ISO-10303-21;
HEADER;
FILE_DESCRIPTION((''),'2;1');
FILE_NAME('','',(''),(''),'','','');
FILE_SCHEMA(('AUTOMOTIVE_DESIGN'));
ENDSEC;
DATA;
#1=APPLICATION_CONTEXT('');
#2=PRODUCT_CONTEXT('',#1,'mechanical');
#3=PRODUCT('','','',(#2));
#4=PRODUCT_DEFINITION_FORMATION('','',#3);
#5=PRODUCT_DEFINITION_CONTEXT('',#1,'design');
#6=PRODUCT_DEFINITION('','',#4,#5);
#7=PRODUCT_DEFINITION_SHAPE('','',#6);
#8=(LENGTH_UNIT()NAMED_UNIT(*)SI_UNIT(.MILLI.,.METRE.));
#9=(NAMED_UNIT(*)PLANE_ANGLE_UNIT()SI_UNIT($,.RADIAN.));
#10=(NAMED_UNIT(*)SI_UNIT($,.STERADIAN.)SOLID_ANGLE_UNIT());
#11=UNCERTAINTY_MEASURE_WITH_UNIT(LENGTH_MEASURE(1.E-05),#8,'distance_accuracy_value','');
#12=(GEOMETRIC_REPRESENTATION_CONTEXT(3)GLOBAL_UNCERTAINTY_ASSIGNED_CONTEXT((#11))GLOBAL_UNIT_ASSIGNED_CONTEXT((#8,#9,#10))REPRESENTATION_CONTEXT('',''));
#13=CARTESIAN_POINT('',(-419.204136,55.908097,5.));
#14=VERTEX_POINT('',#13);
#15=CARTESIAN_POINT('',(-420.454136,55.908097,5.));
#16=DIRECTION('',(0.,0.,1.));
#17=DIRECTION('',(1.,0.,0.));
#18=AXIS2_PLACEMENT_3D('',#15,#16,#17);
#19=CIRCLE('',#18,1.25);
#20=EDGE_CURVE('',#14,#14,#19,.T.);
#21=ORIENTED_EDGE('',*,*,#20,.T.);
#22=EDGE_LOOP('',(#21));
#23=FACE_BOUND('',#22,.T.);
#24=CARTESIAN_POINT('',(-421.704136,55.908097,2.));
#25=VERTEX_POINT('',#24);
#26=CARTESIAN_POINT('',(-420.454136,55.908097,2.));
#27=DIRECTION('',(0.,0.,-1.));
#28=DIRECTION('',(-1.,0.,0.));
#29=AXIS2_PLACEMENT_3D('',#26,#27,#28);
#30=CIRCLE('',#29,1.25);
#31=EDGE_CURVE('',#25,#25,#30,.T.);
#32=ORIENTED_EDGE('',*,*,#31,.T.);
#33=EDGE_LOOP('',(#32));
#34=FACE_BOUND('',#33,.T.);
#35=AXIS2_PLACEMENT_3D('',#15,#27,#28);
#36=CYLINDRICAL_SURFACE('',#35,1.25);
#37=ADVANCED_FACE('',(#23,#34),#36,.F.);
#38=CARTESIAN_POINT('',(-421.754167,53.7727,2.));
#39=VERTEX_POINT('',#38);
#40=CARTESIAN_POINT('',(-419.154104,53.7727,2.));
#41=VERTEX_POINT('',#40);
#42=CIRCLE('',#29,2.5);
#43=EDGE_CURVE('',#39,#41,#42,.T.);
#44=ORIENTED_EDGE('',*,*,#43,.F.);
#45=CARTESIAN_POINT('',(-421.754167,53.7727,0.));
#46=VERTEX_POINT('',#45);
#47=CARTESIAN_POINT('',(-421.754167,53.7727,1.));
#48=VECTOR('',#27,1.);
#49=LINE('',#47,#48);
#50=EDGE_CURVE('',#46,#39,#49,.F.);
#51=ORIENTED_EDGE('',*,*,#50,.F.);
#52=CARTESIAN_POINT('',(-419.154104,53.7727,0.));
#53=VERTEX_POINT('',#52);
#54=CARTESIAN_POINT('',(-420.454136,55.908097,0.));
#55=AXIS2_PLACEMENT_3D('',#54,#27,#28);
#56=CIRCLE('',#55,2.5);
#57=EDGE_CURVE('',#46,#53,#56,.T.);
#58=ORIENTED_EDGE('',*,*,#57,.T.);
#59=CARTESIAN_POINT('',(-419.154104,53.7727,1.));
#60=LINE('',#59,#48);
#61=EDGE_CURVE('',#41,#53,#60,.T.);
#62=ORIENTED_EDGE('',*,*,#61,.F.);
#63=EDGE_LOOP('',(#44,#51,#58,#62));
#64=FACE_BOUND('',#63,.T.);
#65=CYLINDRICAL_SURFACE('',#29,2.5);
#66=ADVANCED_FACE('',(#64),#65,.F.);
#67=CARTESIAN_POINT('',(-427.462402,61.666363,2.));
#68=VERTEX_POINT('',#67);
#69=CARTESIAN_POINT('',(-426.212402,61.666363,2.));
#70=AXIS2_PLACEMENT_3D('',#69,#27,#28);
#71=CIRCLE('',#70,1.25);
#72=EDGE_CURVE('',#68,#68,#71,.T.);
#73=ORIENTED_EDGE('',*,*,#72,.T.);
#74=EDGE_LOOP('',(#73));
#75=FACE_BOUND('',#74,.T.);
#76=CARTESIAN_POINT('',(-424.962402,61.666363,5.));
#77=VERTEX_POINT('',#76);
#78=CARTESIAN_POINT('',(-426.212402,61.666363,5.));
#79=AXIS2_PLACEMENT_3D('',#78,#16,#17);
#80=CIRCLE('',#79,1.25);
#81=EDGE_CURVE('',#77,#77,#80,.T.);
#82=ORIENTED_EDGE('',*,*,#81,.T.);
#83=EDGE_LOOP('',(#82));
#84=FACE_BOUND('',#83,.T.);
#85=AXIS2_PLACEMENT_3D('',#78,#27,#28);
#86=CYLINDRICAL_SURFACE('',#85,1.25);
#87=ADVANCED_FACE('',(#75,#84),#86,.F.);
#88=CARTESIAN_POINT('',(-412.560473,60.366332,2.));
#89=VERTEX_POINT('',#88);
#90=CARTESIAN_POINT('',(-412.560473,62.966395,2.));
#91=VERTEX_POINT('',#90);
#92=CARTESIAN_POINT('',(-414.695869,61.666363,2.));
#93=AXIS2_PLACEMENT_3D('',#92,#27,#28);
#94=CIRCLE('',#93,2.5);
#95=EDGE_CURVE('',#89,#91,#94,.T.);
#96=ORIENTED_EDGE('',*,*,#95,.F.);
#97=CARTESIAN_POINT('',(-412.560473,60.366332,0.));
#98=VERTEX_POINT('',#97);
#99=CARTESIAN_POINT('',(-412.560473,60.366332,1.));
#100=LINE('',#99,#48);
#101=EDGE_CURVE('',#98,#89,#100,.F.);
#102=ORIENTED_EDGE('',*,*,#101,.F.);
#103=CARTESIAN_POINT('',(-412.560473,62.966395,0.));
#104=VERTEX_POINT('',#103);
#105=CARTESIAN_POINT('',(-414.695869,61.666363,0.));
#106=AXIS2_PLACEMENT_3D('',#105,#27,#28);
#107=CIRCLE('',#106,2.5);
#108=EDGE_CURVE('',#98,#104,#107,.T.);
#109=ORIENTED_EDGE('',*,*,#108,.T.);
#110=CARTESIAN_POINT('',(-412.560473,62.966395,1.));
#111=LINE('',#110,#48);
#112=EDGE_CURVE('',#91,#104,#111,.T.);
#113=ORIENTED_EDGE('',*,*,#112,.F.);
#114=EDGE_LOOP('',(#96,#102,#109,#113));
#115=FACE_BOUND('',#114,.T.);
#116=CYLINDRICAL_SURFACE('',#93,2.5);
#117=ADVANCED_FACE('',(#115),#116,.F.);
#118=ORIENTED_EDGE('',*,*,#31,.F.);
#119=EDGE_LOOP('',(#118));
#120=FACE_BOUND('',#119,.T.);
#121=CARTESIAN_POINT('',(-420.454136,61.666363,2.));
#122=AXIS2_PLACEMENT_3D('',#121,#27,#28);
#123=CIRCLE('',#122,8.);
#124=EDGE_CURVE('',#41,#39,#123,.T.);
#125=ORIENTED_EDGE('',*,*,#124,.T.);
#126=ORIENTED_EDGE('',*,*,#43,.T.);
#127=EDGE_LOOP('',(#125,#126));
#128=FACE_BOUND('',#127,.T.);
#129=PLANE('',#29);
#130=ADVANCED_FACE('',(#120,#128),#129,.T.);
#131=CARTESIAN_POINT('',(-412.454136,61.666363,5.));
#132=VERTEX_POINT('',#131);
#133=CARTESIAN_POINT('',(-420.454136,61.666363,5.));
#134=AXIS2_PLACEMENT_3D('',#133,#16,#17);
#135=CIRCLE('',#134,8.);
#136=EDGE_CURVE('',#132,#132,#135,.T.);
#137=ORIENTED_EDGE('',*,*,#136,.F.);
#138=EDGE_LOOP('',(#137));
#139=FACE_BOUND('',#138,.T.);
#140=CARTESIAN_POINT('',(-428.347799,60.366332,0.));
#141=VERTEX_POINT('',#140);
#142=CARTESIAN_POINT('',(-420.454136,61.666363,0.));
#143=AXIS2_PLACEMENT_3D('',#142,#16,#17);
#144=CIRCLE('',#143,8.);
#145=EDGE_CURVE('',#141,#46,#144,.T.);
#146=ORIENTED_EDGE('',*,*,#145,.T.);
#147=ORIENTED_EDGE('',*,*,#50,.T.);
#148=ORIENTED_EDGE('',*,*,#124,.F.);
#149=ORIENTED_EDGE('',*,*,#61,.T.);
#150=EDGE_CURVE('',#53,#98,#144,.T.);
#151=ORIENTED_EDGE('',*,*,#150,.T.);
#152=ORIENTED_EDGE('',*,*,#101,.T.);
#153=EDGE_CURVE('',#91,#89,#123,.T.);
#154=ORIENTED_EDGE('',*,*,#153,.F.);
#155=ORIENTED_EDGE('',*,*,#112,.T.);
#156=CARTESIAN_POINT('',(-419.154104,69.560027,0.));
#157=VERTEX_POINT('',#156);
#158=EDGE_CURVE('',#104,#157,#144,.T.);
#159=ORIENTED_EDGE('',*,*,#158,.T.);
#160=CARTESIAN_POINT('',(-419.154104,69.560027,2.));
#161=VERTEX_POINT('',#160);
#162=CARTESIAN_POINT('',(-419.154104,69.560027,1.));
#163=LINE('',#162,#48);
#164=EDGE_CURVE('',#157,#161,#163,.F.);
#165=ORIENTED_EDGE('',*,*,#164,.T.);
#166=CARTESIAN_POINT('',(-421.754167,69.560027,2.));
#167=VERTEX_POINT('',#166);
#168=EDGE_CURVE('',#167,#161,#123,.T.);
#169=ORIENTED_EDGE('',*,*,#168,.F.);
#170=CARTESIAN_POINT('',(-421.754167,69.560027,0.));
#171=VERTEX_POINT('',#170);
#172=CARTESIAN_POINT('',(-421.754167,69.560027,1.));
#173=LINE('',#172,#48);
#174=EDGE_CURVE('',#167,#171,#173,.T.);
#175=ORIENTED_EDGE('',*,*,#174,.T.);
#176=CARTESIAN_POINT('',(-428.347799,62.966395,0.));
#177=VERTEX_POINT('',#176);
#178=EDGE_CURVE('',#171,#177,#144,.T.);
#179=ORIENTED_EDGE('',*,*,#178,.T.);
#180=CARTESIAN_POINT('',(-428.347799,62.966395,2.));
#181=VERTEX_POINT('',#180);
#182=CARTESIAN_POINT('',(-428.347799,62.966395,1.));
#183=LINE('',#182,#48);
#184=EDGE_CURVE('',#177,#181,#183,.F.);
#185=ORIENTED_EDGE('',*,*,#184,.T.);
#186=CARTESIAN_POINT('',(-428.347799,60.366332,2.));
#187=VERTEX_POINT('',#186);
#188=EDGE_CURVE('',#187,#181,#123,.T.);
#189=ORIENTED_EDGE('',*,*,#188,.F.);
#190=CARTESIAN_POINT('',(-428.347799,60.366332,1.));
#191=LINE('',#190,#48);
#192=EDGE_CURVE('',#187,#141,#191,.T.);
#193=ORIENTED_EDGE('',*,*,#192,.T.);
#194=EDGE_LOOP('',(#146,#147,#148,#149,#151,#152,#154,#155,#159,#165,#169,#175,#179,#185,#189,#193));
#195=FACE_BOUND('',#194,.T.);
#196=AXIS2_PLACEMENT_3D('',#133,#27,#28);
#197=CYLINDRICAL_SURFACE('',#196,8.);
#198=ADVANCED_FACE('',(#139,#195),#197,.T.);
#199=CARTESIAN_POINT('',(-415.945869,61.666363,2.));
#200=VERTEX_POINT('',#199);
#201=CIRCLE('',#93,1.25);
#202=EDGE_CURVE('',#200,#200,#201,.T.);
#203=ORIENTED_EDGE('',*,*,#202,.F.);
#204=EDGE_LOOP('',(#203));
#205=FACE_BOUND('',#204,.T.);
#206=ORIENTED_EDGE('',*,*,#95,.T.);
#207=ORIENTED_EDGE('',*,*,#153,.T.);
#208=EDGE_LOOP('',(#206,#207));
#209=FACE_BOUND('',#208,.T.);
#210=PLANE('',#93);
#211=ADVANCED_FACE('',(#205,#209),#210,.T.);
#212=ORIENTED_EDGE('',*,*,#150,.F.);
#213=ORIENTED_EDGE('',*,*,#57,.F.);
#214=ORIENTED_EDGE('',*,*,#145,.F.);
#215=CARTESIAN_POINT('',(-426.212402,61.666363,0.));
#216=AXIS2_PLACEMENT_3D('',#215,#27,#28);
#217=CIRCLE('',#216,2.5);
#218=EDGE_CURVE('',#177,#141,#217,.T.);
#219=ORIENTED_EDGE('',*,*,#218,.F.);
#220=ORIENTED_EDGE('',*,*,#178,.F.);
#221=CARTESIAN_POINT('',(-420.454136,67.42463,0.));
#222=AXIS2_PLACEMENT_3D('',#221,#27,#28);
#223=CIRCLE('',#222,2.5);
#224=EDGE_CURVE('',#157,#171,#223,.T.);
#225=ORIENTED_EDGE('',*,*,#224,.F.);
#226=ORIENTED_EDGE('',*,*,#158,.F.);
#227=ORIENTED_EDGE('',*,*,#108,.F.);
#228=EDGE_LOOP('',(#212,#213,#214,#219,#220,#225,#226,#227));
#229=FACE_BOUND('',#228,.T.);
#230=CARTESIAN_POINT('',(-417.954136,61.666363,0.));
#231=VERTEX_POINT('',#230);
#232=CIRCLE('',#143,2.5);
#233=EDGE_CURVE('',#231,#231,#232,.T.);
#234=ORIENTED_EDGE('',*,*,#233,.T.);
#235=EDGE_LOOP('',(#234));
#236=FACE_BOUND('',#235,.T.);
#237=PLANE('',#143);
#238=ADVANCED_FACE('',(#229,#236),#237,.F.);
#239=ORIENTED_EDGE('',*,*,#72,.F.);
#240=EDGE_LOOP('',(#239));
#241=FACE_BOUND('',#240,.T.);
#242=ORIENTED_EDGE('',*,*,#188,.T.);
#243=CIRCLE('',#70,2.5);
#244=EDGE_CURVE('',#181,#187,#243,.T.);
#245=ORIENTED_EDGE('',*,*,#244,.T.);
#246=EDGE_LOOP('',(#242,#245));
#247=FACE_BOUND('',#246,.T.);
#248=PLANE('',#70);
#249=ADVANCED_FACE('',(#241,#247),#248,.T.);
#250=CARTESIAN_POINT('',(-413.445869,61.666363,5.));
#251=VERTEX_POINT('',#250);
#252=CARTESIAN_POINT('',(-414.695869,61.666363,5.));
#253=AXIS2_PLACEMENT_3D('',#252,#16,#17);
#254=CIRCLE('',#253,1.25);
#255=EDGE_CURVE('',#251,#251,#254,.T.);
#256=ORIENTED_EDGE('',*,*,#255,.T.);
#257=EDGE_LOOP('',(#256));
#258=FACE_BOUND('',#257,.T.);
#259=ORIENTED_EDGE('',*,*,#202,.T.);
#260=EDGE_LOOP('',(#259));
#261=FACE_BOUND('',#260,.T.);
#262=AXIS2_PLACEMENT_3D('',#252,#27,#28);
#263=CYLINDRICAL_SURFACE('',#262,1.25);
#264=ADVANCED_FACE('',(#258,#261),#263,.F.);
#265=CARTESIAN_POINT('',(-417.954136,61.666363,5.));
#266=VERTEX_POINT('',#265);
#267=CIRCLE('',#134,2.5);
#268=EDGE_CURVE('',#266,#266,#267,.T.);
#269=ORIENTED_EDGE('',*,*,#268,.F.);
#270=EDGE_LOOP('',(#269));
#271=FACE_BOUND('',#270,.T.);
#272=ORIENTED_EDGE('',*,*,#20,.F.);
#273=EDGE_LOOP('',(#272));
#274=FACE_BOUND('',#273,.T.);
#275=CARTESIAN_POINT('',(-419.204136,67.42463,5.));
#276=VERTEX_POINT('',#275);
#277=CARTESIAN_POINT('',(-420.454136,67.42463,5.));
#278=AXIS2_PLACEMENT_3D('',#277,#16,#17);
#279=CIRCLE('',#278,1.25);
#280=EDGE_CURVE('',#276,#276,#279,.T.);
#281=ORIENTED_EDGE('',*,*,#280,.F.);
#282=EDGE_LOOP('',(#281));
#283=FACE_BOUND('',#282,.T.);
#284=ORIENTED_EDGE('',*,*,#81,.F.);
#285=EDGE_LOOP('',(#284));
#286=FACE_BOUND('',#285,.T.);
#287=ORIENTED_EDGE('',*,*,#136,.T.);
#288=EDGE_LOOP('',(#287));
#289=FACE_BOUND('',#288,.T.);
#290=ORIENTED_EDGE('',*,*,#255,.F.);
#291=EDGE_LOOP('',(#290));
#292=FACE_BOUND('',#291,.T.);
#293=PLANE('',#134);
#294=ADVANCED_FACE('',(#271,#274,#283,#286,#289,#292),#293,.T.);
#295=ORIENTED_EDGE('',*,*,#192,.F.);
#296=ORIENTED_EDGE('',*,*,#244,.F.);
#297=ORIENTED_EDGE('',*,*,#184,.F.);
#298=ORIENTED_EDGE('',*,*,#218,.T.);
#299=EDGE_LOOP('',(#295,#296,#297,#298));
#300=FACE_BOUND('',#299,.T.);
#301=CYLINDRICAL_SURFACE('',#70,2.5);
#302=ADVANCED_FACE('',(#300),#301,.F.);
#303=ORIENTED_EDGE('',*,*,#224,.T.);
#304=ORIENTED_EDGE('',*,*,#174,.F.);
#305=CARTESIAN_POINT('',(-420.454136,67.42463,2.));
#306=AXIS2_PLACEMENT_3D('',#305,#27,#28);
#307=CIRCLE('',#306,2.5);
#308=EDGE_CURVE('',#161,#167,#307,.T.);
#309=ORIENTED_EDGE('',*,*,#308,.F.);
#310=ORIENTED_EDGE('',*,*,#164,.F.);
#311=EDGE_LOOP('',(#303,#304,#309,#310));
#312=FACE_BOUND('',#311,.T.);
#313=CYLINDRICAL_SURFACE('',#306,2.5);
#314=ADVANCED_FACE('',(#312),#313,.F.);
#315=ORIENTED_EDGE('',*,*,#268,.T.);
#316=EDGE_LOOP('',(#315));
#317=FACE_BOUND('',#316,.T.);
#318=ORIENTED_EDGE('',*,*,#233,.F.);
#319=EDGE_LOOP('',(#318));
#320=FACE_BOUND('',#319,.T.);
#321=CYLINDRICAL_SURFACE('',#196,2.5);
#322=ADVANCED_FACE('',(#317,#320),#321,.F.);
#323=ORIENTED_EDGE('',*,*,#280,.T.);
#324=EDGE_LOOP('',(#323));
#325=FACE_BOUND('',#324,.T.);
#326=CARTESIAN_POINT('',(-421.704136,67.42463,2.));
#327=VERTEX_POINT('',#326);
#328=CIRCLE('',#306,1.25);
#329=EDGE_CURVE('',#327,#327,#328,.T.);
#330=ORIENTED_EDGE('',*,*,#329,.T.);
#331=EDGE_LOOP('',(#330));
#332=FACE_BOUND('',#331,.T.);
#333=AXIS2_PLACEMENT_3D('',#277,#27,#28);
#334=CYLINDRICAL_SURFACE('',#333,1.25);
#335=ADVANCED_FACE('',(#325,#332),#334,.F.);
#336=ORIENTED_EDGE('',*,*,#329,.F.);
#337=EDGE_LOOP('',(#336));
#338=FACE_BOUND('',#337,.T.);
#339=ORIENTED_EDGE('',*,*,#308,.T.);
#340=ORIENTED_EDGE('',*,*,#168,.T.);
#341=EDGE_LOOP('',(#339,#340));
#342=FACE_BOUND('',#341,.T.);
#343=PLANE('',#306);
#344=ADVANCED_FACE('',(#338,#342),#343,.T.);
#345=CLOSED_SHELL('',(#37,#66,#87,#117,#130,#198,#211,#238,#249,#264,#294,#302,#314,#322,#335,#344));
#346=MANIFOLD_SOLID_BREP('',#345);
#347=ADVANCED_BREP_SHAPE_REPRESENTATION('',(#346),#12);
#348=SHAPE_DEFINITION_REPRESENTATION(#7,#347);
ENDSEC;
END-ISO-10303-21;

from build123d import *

# Parameters (mm, degrees)
SKETCH_1_R          = 8
SKETCH_1_R_2        = 2.5
SKETCH_1_R_3        = 1.25
EXTRUDE_1_DEPTH     = 5
SKETCH_2_R          = 2.5
CUT_EXTRUDE_1_DEPTH = 2


with BuildPart() as part:
    # 草图1 → 凸台-拉伸1 (new body)
    with BuildSketch(Plane.XY):
        with Locations((-420.454135706, 61.666363326)):
            Circle(SKETCH_1_R)
        with Locations((-420.454135706, 61.666363326)):
            Circle(SKETCH_1_R_2, mode=Mode.SUBTRACT)
        with Locations((-420.454135706, 67.424629947)):
            Circle(SKETCH_1_R_3, mode=Mode.SUBTRACT)
        with Locations((-414.695869085, 61.666363326)):
            Circle(SKETCH_1_R_3, mode=Mode.SUBTRACT)
        with Locations((-420.454135706, 55.908096705)):
            Circle(SKETCH_1_R_3, mode=Mode.SUBTRACT)
        with Locations((-426.212402327, 61.666363326)):
            Circle(SKETCH_1_R_3, mode=Mode.SUBTRACT)
    extrude(amount=EXTRUDE_1_DEPTH)

    # 草图2 → 切除-拉伸1 (cut)
    with BuildSketch(Plane(origin=(0, 0, 0), x_dir=(-1, 0, 0), z_dir=(0, 0, -1))):
        with Locations((420.454135706, 67.424629947)):
            Circle(SKETCH_2_R)
        with Locations((426.212402327, 61.666363326)):
            Circle(SKETCH_2_R)
        with Locations((420.454135706, 55.908096705)):
            Circle(SKETCH_2_R)
        with Locations((414.695869085, 61.666363326)):
            Circle(SKETCH_2_R)
    extrude(amount=-CUT_EXTRUDE_1_DEPTH, mode=Mode.SUBTRACT)


solid = part.part
